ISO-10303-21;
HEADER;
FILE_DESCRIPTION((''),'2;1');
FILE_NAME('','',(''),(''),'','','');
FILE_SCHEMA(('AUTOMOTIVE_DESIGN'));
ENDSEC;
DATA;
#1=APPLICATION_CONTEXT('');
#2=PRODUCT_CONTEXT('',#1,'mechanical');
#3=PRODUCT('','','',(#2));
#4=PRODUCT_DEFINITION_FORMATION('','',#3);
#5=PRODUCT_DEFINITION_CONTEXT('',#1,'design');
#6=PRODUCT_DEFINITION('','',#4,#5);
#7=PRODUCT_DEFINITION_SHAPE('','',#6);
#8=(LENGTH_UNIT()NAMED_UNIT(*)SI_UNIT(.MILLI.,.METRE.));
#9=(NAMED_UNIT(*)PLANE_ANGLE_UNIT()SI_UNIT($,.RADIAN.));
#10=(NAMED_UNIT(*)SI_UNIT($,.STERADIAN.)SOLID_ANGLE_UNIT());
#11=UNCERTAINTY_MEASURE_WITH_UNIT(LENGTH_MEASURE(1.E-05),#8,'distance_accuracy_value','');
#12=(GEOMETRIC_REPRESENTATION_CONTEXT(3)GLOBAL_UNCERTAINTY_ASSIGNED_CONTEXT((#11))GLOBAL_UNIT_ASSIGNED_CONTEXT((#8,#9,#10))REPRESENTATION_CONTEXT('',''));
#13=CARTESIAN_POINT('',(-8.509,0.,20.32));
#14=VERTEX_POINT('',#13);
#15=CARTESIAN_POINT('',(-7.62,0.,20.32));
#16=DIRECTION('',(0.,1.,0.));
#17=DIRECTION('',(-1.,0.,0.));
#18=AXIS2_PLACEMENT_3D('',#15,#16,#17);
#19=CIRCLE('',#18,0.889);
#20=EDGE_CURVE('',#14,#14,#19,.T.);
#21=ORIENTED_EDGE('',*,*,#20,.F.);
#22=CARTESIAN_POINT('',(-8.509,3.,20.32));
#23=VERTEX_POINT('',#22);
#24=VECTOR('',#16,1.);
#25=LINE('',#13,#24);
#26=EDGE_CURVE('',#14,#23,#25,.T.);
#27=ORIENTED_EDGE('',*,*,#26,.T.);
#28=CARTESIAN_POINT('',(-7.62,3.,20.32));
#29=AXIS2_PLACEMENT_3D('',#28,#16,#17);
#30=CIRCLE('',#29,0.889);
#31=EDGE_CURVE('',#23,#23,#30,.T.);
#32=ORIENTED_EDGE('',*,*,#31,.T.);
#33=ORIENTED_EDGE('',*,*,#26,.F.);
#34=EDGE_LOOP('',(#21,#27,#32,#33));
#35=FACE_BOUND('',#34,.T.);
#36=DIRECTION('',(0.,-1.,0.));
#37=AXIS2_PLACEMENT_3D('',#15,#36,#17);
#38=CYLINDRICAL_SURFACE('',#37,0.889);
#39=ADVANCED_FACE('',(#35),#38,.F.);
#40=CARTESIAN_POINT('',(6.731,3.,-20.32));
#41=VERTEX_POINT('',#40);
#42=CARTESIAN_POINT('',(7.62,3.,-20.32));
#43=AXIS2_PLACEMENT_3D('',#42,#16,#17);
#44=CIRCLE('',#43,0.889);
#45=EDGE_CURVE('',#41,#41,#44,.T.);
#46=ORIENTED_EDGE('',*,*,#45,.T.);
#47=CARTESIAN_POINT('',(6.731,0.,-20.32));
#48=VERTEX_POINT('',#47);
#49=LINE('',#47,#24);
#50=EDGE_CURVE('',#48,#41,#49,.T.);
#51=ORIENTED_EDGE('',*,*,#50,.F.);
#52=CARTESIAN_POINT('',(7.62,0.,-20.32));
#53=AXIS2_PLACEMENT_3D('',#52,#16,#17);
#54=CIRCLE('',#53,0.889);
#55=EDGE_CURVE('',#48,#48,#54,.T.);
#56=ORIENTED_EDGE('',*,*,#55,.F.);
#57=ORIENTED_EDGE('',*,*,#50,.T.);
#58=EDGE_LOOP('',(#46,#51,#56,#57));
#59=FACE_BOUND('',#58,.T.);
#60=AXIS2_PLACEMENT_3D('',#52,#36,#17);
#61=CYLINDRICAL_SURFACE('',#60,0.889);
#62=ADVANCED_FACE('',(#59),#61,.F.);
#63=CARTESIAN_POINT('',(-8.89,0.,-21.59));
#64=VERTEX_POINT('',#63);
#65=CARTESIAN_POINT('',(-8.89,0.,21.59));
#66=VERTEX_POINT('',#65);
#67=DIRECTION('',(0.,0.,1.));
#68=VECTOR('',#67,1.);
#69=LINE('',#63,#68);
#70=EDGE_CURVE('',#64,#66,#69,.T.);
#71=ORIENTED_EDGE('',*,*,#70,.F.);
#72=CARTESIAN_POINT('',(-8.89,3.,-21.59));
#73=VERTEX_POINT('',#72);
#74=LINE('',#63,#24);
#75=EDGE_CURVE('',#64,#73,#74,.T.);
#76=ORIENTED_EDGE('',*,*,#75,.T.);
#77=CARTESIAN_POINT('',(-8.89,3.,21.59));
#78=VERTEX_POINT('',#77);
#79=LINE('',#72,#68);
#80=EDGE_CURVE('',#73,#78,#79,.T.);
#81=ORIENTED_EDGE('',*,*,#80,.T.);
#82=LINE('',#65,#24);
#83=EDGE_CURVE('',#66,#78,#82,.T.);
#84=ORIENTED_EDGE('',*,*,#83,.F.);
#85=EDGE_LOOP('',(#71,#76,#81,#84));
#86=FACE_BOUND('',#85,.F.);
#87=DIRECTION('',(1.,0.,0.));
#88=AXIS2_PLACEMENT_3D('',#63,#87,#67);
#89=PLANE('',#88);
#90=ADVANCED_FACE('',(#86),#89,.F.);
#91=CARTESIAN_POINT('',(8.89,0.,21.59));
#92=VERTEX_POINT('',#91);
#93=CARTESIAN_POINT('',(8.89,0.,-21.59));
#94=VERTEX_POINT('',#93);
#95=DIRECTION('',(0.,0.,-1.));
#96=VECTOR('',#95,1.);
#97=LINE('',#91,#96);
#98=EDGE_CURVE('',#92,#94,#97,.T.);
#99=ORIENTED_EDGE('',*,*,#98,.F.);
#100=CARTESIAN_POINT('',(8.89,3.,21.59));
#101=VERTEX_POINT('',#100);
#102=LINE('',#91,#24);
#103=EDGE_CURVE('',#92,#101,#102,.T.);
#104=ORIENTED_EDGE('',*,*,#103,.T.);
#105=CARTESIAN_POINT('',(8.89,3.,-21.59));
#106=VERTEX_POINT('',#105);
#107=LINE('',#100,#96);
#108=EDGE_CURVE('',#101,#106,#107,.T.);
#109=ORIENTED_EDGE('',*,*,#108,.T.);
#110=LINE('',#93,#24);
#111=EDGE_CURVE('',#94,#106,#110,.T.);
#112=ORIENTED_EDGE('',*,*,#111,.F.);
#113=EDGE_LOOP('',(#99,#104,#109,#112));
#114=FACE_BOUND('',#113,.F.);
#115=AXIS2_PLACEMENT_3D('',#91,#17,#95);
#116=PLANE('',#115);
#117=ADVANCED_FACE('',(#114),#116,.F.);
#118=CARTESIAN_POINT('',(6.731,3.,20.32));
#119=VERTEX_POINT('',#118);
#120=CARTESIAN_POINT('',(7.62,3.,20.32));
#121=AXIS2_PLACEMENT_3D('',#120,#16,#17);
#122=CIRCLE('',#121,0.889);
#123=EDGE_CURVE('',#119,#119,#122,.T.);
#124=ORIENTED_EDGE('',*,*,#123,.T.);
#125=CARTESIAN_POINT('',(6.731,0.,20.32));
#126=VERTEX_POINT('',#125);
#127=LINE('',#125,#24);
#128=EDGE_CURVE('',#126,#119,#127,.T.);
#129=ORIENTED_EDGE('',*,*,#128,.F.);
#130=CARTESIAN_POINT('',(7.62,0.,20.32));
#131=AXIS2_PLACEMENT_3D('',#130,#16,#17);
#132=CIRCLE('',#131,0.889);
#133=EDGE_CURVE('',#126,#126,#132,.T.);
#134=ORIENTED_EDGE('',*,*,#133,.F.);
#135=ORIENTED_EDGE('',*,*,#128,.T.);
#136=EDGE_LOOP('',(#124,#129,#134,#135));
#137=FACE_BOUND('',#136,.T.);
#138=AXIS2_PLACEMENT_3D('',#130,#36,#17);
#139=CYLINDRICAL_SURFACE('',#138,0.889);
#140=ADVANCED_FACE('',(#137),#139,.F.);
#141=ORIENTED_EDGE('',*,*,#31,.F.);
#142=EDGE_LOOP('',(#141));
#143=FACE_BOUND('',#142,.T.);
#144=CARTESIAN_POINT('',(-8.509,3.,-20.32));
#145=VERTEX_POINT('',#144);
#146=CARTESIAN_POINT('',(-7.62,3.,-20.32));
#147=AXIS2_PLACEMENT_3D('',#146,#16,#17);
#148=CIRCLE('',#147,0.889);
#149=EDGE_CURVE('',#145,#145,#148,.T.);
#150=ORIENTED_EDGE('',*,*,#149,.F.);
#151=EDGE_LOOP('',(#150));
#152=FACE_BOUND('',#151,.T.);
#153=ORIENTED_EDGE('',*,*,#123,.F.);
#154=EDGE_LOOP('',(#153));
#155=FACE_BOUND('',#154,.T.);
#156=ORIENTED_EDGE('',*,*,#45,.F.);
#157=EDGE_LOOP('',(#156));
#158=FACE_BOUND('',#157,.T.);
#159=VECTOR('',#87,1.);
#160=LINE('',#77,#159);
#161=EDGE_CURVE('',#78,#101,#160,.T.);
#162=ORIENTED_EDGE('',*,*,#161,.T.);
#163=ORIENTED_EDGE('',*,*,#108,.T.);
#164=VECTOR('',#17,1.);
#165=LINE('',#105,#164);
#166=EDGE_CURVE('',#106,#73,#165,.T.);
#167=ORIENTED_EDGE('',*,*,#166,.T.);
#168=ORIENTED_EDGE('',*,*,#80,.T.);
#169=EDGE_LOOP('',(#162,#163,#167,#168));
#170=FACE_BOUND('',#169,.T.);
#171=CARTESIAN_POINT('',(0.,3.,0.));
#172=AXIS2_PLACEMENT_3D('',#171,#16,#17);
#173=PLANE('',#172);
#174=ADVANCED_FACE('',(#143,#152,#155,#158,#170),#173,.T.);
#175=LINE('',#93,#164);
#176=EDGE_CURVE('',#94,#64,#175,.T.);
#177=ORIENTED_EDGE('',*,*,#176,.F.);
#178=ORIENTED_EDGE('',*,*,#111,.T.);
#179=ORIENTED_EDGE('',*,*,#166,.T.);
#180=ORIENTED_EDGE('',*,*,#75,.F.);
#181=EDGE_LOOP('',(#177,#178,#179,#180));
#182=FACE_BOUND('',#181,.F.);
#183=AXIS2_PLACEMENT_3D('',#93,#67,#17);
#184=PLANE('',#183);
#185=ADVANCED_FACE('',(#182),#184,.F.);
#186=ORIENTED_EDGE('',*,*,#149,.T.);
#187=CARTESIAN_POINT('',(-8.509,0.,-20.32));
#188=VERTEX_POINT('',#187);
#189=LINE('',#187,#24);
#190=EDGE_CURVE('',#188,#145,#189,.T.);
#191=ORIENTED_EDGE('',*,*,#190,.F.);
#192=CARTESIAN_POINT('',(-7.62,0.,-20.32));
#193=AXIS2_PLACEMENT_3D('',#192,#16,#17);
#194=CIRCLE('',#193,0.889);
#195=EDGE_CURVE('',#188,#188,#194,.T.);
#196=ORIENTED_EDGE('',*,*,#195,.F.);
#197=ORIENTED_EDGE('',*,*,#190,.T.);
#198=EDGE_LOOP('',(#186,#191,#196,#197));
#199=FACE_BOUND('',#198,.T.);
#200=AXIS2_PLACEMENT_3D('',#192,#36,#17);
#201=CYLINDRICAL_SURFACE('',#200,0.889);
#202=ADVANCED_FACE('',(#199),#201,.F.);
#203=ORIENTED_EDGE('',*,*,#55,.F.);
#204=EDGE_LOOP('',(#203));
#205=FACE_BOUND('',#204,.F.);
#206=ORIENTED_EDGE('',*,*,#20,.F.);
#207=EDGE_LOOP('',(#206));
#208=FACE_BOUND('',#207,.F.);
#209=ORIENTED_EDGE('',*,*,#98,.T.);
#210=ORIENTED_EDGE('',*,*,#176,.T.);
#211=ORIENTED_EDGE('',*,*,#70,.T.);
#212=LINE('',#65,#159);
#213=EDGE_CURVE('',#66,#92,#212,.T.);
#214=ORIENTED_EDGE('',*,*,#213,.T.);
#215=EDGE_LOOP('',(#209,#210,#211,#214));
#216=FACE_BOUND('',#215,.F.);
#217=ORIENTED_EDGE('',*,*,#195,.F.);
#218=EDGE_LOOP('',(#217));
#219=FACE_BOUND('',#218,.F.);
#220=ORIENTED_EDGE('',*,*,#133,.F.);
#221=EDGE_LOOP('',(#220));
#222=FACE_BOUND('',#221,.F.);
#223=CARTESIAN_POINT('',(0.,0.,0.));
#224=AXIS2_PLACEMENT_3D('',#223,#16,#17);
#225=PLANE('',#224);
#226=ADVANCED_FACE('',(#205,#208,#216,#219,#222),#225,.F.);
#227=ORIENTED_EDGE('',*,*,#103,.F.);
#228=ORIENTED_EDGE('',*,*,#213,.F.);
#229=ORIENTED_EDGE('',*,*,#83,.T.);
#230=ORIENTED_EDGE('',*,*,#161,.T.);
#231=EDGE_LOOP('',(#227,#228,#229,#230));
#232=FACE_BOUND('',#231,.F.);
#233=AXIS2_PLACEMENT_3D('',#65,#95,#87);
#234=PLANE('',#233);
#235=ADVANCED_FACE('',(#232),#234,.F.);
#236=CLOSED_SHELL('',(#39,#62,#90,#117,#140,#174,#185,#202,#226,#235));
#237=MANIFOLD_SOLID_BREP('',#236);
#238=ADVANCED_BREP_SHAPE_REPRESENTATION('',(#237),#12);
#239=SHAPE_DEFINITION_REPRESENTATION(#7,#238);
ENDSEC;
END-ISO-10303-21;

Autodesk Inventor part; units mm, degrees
ref_plane "YZ Plane" through (0, 0, 0) normal (1, 0, 0) x (0, 1, 0)
ref_plane "XZ Plane" through (0, 0, 0) normal (0, 1, 0) x (-1, 0, 0)
ref_plane "XY Plane" through (0, 0, 0) normal (0, 0, 1) x (1, 0, 0)
sketch "Sketch1" plane through (0, 0, 0) normal (0, 1, 0) x (-1, 0, 0)
  line L0 (8.89, 21.59) -> (-8.89, 21.59)
  line L1 (-8.89, 21.59) -> (-8.89, -21.59)
  line L2 (-8.89, -21.59) -> (8.89, -21.59)
  line L3 (8.89, -21.59) -> (8.89, 21.59)
  circle A0 centre (7.62, 20.32) radius 0.889
  circle A1 centre (-7.62, 20.32) radius 0.889
  line L4 (8.89, 0) -> (-8.89, 0) construction
  circle A2 centre (7.62, -20.32) radius 0.889
  circle A3 centre (-7.62, -20.32) radius 0.889
  point P0 (0, 0)
  dimension "d0" = 17.78
  dimension "d1" = 43.18
  dimension "d2" = 21.59
  dimension "d3" = 8.89
  dimension "d4" = 15.24
  dimension "d5" = 7.62
  dimension "d6" = 1.778
  dimension "d7" = 1.778
  dimension "d8" = 1.27
  dimension "d9" = 1.27
  dimension "d10" = 1.27
  dimension "d11" = 40.64
  dimension "d12" = 13.462
  dimension "d15" = 15.24
extrude "Extrusion1" add sketch "Sketch1" along normal blind 3
equation "\"d2\" = 0.5 * d1"
equation "\"d3\" = 0.5 * d0"
equation "\"d5\" = 0.5 * d4"
equation "\"d9\" = d8"
properties part number "arduino nano screw ports"
